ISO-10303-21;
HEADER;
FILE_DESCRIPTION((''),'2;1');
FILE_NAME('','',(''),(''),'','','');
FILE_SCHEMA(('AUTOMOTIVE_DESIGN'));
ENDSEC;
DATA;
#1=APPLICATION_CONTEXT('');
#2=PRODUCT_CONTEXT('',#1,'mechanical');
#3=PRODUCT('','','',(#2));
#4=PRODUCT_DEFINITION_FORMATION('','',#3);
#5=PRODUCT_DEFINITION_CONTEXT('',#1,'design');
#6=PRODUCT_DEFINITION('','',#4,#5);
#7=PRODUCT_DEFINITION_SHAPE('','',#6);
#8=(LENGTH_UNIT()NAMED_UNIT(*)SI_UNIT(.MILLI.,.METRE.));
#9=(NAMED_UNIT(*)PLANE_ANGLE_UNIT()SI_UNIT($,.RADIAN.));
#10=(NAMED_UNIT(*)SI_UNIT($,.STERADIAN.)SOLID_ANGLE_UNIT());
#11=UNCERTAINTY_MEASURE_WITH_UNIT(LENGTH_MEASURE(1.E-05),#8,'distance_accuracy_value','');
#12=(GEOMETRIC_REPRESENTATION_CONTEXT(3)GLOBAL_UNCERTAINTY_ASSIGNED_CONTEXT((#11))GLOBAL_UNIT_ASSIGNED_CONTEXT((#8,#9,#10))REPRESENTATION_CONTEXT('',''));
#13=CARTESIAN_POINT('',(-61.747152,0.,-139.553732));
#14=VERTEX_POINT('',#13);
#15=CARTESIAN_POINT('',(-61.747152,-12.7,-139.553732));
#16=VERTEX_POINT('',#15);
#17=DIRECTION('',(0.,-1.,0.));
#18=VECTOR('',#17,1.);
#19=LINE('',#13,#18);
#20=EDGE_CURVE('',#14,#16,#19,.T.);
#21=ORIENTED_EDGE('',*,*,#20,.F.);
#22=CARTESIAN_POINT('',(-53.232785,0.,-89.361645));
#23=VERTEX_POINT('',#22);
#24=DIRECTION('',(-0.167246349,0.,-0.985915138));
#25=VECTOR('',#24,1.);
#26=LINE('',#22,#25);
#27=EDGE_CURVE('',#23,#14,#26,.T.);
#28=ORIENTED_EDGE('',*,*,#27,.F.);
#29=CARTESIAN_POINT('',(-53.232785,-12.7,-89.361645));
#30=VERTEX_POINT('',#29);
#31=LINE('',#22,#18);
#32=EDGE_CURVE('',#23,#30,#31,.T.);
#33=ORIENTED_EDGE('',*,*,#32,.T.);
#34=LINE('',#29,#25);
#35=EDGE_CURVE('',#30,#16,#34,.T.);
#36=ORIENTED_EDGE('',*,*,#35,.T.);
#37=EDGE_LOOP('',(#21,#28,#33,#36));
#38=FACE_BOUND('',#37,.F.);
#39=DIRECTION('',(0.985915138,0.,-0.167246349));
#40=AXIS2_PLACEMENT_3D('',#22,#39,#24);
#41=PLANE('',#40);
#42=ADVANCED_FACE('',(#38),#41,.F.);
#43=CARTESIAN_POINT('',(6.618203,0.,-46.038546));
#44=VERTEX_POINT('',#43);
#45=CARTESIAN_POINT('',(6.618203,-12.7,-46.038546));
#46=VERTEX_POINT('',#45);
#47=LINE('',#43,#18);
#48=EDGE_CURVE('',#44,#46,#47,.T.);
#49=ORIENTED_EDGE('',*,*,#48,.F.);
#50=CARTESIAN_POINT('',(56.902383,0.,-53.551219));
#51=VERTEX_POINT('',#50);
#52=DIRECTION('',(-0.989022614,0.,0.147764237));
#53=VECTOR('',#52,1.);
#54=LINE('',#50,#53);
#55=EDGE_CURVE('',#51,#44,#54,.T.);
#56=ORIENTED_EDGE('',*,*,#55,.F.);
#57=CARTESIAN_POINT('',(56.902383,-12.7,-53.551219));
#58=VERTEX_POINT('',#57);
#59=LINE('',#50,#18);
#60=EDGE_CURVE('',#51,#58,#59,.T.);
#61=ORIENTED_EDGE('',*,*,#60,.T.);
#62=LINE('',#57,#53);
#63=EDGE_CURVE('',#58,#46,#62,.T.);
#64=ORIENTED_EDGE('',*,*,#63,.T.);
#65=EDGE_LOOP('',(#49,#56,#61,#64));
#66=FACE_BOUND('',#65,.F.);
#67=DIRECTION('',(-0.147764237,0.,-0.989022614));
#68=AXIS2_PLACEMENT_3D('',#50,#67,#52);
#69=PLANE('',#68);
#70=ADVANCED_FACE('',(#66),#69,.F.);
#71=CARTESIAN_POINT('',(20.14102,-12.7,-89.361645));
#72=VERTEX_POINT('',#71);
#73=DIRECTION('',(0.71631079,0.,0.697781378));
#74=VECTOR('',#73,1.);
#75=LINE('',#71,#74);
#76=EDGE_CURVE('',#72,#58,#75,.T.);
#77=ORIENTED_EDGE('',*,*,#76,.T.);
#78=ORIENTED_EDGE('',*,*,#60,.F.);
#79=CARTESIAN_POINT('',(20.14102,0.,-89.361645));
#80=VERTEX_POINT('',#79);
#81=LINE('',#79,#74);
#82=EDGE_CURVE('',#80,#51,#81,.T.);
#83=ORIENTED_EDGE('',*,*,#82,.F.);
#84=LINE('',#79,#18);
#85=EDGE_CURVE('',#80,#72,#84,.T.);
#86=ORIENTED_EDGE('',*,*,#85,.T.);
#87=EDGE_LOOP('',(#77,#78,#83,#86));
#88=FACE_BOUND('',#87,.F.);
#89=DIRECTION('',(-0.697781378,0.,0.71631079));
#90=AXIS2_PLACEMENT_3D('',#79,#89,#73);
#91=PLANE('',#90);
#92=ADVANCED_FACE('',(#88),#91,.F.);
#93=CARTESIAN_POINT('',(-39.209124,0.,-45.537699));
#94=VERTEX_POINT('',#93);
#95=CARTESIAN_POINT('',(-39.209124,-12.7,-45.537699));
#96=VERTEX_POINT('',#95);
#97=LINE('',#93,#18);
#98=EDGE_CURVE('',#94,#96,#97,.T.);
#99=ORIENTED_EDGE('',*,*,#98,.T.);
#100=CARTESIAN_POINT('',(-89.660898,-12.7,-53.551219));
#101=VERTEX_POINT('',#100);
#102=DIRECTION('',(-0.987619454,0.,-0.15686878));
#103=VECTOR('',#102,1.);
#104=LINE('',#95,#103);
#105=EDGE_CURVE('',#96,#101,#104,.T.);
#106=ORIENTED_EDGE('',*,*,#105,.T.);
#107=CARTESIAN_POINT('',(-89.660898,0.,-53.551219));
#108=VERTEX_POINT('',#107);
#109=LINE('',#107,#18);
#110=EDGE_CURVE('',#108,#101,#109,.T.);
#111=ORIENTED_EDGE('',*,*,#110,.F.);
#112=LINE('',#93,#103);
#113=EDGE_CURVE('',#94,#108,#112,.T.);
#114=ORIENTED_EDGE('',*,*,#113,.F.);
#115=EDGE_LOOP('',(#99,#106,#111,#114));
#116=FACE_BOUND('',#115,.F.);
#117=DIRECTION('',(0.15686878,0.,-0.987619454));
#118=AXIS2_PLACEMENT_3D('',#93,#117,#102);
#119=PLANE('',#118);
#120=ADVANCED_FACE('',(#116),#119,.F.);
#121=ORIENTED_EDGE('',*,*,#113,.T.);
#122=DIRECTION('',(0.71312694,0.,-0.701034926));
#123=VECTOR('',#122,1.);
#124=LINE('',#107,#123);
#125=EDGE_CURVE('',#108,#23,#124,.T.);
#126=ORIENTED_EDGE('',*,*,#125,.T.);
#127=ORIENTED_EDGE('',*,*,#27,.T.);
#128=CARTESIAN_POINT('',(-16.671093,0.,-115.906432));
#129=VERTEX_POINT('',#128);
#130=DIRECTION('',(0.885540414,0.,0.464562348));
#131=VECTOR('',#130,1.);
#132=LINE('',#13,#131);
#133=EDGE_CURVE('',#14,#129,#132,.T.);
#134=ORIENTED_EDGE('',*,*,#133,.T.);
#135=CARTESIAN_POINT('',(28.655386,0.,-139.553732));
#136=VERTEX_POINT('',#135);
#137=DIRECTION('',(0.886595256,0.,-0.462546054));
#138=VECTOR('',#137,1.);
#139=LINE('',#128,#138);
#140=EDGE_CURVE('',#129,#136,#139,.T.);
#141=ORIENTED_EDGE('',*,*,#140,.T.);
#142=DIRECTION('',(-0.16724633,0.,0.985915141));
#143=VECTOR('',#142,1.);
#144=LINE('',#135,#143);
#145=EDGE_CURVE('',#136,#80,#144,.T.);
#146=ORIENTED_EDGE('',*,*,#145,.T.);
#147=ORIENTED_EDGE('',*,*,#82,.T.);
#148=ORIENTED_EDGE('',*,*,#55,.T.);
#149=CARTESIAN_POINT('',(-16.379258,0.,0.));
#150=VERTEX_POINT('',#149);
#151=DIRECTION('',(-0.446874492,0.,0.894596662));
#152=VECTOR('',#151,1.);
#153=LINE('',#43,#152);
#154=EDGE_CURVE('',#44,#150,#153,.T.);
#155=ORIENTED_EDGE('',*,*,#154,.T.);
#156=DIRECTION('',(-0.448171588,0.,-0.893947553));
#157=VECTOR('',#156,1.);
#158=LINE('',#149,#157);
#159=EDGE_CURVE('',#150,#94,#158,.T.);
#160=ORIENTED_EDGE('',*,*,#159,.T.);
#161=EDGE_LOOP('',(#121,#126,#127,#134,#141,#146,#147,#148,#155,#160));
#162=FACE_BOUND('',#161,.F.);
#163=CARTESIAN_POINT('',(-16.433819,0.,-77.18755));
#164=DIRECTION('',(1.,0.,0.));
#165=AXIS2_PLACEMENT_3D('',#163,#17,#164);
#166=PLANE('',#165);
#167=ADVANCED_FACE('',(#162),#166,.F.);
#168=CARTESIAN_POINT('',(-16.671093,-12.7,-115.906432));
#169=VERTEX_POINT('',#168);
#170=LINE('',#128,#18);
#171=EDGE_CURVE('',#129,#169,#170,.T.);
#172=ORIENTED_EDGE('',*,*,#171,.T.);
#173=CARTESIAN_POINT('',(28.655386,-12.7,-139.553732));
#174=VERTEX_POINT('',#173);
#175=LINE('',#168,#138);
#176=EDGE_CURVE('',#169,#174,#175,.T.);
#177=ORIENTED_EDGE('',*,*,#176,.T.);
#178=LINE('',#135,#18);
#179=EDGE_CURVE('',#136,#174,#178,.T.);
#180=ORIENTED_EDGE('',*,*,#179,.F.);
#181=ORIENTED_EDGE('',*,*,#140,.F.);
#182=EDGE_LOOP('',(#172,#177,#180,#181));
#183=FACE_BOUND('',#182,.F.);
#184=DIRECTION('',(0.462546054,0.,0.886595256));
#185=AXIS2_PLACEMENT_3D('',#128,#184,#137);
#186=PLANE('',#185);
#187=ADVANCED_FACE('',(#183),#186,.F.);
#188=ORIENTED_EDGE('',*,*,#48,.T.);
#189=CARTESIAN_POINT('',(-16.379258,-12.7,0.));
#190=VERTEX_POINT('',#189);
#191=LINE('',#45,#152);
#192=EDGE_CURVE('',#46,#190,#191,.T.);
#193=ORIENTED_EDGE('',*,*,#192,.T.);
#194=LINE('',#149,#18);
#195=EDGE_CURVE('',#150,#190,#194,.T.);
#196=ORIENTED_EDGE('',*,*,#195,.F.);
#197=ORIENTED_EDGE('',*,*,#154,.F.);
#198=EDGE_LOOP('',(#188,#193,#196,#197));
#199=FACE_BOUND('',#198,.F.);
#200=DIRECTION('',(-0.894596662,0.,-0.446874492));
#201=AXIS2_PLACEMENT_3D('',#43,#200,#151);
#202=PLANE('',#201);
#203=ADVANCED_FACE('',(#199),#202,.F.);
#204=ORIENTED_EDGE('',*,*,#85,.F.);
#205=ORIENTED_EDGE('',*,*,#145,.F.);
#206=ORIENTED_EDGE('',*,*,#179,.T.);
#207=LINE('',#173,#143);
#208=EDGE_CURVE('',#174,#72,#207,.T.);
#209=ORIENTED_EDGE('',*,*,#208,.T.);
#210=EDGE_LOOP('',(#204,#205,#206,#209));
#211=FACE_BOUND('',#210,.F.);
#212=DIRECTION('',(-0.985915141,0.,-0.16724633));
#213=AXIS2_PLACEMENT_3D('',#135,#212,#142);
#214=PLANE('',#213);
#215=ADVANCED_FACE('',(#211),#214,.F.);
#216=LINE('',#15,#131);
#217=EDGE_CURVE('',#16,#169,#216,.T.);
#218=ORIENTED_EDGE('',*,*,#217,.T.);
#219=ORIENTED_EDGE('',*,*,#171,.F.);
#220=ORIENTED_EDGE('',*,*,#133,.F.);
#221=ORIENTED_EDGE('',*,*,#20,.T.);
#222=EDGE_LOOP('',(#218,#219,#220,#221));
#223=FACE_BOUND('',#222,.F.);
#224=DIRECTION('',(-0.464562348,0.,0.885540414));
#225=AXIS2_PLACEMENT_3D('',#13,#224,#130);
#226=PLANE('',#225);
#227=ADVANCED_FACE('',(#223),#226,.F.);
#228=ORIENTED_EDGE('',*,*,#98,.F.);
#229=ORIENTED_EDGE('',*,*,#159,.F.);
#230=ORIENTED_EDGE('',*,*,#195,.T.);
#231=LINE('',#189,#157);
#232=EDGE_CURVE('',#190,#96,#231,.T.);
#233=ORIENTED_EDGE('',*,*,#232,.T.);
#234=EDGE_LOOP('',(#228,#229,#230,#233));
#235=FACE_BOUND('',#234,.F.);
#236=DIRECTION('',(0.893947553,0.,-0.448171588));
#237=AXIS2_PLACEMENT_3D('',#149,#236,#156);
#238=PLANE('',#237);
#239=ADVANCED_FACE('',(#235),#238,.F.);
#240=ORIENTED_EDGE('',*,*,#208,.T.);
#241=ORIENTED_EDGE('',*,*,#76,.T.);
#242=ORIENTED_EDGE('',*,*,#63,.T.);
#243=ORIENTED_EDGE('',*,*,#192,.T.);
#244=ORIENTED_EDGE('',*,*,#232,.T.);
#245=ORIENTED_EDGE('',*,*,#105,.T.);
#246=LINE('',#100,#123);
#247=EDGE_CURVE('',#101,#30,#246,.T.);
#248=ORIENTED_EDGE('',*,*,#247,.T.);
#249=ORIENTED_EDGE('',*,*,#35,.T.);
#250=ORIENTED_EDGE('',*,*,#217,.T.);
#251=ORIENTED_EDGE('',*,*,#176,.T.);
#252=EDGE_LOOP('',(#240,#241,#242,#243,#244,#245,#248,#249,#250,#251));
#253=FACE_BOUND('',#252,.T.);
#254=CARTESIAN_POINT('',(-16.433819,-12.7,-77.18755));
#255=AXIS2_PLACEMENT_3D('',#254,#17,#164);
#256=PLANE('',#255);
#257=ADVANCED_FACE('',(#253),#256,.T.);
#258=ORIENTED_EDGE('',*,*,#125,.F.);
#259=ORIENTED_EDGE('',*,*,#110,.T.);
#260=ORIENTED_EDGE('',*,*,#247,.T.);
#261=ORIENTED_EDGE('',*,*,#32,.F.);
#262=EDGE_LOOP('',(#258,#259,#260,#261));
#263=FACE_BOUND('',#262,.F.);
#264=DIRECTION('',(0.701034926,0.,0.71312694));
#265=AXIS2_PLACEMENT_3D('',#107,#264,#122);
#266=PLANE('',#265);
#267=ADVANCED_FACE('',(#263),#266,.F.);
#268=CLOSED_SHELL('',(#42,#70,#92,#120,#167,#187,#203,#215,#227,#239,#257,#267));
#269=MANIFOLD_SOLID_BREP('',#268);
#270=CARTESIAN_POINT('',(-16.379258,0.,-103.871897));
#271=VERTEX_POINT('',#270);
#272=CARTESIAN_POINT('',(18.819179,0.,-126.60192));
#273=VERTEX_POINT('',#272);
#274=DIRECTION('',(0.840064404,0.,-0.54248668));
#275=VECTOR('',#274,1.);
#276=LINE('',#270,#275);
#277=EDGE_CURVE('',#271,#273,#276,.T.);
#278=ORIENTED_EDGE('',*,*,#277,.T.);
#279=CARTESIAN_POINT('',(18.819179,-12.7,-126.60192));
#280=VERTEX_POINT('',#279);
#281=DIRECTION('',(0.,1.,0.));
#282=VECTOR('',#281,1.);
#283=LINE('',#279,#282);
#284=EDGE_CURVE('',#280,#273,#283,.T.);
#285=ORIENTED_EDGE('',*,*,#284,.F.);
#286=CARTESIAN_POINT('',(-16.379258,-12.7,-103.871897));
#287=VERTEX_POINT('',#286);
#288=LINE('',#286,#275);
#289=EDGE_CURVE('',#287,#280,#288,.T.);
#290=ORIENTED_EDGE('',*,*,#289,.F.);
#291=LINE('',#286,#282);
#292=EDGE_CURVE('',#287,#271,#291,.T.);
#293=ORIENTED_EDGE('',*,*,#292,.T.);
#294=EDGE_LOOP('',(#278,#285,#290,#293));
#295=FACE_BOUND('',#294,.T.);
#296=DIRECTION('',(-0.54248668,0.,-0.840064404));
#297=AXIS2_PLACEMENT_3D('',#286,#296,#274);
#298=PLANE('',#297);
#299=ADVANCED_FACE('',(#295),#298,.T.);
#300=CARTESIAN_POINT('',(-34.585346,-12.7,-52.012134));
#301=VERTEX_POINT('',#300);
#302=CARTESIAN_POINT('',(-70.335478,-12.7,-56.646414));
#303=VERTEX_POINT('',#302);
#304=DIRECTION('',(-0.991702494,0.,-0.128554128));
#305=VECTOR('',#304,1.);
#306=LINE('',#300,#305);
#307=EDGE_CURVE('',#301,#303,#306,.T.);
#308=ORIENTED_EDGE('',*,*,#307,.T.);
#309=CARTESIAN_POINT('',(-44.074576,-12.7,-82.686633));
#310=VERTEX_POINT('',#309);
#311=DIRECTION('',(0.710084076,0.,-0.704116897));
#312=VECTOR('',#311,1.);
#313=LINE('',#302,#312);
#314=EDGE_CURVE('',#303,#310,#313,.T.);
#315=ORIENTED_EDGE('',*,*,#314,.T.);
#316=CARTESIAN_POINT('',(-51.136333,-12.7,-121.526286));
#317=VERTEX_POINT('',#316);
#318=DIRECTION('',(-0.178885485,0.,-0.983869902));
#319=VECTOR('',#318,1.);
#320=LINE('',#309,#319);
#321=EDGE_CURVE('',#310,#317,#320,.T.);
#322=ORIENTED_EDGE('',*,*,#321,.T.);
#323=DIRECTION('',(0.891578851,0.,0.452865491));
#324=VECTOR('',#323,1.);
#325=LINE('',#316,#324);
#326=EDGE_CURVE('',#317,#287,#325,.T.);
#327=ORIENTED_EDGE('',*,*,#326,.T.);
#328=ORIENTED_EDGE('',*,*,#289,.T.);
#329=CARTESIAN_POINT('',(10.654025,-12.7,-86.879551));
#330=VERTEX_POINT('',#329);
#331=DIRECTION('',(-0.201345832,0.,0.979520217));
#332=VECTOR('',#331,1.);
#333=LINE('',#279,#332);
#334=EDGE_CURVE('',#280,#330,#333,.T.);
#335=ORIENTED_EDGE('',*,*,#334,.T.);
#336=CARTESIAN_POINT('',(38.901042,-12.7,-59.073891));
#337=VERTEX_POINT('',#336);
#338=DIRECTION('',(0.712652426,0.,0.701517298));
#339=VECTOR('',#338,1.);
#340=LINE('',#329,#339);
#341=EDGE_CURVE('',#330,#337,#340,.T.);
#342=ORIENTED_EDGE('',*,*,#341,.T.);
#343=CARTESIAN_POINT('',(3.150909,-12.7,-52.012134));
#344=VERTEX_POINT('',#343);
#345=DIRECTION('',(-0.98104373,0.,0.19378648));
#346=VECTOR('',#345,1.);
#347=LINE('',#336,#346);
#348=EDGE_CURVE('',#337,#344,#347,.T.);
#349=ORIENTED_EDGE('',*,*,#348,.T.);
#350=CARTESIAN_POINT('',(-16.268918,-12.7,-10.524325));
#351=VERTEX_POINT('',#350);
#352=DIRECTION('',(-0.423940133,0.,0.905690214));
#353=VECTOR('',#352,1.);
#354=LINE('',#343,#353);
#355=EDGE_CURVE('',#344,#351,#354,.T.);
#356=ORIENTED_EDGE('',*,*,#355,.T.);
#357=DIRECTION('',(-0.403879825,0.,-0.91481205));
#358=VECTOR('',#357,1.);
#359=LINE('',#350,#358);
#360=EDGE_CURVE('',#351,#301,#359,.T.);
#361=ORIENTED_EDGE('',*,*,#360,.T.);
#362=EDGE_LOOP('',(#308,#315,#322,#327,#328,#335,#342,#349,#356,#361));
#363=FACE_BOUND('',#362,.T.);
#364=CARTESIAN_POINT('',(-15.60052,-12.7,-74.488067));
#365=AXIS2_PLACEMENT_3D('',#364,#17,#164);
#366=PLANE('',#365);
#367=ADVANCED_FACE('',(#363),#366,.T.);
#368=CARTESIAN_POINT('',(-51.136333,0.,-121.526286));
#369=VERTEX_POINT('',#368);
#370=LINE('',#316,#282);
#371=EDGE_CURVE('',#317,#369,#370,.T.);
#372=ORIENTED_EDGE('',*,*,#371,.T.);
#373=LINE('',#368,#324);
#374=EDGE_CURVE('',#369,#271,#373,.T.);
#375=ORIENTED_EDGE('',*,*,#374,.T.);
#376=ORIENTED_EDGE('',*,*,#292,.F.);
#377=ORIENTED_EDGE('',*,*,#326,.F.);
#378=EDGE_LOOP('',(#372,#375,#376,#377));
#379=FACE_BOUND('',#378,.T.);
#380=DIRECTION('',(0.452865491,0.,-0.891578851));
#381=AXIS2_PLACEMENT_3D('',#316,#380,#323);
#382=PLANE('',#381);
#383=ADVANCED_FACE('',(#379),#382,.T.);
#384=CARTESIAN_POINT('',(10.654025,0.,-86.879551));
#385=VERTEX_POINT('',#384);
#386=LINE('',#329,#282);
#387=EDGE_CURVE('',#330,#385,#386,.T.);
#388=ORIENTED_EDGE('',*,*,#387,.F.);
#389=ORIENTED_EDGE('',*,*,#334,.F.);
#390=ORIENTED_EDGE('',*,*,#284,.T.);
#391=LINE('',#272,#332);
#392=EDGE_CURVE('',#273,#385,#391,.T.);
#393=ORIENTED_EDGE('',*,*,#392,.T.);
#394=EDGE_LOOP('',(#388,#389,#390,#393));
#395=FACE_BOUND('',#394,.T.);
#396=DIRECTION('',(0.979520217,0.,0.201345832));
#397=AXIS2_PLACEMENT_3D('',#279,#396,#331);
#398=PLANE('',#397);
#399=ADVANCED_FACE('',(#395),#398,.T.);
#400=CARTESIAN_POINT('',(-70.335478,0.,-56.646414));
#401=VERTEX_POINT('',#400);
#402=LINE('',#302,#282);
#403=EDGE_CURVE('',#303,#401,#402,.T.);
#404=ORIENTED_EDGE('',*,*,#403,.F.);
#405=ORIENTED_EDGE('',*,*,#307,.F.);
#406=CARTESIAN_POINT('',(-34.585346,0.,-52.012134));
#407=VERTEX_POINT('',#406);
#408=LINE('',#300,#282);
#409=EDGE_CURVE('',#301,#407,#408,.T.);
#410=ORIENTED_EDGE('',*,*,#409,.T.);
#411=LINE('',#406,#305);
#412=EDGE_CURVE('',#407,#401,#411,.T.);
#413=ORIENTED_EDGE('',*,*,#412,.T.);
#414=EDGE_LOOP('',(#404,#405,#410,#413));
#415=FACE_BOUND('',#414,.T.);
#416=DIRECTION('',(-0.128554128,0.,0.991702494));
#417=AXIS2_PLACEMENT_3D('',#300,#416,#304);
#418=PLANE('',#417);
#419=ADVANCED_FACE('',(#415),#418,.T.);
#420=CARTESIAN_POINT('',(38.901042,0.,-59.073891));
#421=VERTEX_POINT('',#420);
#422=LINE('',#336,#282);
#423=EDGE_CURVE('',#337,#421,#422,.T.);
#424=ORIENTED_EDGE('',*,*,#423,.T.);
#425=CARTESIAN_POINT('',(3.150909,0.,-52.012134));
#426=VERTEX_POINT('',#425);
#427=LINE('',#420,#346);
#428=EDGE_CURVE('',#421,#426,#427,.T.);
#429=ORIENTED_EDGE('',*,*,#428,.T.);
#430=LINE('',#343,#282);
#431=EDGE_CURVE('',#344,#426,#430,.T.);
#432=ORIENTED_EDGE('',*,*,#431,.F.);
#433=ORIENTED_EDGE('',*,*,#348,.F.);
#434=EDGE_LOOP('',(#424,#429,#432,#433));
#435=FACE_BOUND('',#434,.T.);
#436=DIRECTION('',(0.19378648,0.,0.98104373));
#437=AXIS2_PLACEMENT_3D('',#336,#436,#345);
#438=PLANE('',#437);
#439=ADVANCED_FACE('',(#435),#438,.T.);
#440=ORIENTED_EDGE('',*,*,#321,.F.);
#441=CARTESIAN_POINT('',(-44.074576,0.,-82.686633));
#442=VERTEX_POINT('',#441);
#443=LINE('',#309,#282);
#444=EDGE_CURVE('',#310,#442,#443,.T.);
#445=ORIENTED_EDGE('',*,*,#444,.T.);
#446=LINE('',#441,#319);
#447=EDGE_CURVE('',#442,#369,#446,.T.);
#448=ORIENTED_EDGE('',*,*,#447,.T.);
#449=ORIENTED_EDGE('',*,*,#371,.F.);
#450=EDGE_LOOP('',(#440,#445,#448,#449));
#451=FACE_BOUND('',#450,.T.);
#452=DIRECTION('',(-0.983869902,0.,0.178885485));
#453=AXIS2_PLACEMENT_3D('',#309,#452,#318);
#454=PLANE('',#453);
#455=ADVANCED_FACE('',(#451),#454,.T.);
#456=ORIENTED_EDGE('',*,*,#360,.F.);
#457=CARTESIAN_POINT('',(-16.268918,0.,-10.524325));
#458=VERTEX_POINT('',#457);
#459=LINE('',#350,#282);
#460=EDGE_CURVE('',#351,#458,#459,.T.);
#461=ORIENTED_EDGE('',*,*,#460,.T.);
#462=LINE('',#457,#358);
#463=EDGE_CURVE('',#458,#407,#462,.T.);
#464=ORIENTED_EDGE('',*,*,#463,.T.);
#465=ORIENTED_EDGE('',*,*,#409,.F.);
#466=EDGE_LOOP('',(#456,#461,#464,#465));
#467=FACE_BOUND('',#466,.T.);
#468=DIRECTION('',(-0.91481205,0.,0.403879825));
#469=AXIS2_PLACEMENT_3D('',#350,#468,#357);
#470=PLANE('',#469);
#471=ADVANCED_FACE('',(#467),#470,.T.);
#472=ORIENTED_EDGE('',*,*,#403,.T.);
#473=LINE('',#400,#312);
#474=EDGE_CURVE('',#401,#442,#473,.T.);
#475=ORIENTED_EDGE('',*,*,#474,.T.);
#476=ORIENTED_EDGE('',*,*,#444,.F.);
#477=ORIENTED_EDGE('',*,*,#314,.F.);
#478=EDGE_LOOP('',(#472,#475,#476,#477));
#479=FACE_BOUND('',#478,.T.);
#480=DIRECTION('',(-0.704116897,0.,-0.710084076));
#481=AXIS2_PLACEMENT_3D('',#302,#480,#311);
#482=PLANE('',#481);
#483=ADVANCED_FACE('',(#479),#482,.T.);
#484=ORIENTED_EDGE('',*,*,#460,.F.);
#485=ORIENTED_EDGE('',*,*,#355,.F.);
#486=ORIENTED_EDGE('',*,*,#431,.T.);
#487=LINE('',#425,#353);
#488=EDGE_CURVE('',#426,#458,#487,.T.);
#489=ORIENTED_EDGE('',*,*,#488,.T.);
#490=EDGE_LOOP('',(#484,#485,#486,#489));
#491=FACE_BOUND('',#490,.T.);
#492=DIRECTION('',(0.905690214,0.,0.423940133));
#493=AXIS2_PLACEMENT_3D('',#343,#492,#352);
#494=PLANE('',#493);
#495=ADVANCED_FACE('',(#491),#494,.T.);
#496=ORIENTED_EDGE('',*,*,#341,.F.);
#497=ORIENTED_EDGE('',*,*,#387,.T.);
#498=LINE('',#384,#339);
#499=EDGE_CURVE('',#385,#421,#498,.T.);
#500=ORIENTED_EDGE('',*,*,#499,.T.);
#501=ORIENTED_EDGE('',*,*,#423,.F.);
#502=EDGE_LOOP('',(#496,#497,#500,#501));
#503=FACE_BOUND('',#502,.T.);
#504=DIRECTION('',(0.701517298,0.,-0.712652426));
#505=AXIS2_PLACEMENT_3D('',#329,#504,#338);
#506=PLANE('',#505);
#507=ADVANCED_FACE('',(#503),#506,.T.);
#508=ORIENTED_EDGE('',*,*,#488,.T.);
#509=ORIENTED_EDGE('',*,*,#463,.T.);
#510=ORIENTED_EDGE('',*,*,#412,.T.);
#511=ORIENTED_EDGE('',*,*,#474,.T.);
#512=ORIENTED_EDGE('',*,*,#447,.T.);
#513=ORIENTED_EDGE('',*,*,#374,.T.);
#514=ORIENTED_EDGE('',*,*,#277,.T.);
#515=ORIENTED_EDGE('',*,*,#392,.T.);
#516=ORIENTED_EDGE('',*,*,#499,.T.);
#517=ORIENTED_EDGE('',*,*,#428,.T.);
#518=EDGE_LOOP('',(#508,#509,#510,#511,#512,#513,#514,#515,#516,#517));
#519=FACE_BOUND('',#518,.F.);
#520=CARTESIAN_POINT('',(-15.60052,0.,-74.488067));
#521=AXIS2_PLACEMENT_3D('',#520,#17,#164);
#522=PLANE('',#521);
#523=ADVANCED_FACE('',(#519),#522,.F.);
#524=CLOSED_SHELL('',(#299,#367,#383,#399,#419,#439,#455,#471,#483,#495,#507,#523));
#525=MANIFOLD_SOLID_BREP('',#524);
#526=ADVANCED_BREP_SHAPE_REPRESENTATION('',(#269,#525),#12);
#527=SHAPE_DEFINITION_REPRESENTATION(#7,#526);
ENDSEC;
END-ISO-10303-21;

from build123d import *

# Parameters (mm, degrees)
F1_DEPTH = 12.7
F3_DEPTH = 12.7


with BuildPart() as f1:
    # F0 (on Front) → F1 (new body)
    with BuildSketch(Plane.XZ):
        Polygon((6.618203, -46.038546), (-16.379258, 0), (-39.209124, -45.537699), (-89.660898, -53.551219), (-53.232785, -89.361645), (-61.747152, -139.553732), (-16.671093, -115.906432), (28.655386, -139.553732), (20.14102, -89.361645), (56.902383, -53.551219), align=None)
    extrude(amount=F1_DEPTH)


with BuildPart() as f3:
    # F2 (on face) → F3 (new body)
    with BuildSketch(Plane.XZ.offset(12.7)):
        Polygon((3.150909, -52.012134), (-16.268918, -10.524325), (-34.585346, -52.012134), (-70.335478, -56.646414), (-44.074576, -82.686633), (-51.136333, -121.526286), (-16.379258, -103.871897), (18.819179, -126.60192), (10.654025, -86.879551), (38.901042, -59.073891), align=None)
    extrude(amount=-F3_DEPTH)


solid = Compound([f1.part, f3.part])
